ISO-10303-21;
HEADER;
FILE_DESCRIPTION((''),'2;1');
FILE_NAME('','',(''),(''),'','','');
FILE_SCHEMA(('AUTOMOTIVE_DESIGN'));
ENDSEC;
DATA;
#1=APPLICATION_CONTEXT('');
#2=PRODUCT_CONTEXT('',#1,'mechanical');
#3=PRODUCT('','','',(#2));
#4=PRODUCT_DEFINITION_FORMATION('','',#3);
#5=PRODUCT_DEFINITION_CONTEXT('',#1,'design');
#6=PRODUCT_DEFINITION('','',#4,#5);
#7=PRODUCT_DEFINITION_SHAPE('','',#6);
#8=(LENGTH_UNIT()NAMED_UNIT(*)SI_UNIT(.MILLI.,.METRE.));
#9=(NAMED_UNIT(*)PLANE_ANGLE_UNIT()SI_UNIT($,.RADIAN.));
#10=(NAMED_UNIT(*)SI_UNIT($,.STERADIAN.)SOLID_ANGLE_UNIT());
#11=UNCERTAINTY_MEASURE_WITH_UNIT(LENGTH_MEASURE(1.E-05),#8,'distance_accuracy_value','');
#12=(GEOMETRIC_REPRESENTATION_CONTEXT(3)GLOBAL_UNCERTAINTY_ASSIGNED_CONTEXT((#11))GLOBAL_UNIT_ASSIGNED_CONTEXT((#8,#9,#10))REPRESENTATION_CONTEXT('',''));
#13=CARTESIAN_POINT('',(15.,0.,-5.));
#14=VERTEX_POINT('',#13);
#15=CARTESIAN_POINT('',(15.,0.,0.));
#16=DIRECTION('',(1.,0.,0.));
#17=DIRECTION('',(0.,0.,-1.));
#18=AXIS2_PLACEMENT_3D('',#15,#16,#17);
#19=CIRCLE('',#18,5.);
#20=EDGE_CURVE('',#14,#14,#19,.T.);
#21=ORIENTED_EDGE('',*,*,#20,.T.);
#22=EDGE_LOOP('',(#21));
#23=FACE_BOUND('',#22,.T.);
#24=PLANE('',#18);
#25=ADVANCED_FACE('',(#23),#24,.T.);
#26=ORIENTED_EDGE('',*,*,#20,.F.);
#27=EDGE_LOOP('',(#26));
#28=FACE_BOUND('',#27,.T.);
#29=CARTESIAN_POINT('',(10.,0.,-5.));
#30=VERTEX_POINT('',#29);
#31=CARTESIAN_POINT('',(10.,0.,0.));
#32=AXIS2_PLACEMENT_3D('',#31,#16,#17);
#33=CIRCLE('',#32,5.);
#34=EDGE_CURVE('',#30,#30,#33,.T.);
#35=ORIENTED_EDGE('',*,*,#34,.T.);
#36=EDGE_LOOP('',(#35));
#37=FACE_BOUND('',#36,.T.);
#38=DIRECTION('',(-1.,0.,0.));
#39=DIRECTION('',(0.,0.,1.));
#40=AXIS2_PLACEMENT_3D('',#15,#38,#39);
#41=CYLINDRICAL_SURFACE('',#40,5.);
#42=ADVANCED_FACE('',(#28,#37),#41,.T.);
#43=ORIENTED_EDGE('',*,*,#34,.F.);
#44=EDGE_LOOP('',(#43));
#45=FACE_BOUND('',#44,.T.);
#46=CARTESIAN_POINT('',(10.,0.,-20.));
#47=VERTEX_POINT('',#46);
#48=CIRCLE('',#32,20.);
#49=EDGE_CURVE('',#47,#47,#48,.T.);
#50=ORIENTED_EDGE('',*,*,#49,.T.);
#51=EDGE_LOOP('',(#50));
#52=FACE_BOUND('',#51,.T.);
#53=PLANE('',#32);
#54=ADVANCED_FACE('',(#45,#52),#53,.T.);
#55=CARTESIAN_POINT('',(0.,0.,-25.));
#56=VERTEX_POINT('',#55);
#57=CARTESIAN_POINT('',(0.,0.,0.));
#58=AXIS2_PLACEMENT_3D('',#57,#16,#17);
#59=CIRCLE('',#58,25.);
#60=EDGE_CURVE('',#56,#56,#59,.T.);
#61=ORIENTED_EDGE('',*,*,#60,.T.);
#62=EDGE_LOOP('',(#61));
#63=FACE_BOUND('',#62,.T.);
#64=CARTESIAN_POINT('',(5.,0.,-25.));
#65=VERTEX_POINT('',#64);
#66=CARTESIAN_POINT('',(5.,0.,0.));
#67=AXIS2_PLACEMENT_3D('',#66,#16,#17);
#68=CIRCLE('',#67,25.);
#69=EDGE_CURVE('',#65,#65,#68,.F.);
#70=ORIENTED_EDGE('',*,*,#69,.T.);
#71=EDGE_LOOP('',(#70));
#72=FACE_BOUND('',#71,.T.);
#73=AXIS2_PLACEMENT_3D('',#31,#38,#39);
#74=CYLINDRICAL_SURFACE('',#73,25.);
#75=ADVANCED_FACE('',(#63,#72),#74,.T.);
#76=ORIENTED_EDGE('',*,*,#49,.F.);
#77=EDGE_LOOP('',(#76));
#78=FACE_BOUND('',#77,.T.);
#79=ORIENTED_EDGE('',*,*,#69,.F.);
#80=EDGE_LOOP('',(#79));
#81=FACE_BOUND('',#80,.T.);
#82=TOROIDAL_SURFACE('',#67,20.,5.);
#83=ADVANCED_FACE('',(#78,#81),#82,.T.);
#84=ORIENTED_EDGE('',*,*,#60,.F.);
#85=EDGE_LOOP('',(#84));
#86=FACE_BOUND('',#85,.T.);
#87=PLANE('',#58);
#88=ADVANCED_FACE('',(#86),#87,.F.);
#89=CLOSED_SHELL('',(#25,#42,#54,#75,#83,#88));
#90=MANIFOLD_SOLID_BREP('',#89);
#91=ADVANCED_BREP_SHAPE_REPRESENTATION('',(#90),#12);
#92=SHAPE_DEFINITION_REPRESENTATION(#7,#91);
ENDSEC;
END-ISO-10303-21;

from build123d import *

# Parameters (mm, degrees)
SKETCH1_R           = 25
BOSS_EXTRUDE1_DEPTH = 10
FILLET1_R           = 5
SKETCH2_R           = 5
BOSS_EXTRUDE2_DEPTH = 5


with BuildPart() as part:
    # Sketch1 → Boss-Extrude1 (new body)
    with BuildSketch(Plane(origin=(0, 0, 0), x_dir=(0, 0, -1), z_dir=(1, 0, 0))):
        Circle(SKETCH1_R)
    extrude(amount=BOSS_EXTRUDE1_DEPTH)

    # Fillet1
    fillet1_edges = [part.edges().sort_by_distance(p)[0] for p in [
        (10, 0, 25),
    ]]
    fillet(fillet1_edges, radius=FILLET1_R)

    # Sketch2 → Boss-Extrude2 (add)
    with BuildSketch(Plane(origin=(10, 0, 0), x_dir=(0, 0, -1), z_dir=(1, 0, 0))):
        Circle(SKETCH2_R)
    extrude(amount=BOSS_EXTRUDE2_DEPTH)


solid = part.part
